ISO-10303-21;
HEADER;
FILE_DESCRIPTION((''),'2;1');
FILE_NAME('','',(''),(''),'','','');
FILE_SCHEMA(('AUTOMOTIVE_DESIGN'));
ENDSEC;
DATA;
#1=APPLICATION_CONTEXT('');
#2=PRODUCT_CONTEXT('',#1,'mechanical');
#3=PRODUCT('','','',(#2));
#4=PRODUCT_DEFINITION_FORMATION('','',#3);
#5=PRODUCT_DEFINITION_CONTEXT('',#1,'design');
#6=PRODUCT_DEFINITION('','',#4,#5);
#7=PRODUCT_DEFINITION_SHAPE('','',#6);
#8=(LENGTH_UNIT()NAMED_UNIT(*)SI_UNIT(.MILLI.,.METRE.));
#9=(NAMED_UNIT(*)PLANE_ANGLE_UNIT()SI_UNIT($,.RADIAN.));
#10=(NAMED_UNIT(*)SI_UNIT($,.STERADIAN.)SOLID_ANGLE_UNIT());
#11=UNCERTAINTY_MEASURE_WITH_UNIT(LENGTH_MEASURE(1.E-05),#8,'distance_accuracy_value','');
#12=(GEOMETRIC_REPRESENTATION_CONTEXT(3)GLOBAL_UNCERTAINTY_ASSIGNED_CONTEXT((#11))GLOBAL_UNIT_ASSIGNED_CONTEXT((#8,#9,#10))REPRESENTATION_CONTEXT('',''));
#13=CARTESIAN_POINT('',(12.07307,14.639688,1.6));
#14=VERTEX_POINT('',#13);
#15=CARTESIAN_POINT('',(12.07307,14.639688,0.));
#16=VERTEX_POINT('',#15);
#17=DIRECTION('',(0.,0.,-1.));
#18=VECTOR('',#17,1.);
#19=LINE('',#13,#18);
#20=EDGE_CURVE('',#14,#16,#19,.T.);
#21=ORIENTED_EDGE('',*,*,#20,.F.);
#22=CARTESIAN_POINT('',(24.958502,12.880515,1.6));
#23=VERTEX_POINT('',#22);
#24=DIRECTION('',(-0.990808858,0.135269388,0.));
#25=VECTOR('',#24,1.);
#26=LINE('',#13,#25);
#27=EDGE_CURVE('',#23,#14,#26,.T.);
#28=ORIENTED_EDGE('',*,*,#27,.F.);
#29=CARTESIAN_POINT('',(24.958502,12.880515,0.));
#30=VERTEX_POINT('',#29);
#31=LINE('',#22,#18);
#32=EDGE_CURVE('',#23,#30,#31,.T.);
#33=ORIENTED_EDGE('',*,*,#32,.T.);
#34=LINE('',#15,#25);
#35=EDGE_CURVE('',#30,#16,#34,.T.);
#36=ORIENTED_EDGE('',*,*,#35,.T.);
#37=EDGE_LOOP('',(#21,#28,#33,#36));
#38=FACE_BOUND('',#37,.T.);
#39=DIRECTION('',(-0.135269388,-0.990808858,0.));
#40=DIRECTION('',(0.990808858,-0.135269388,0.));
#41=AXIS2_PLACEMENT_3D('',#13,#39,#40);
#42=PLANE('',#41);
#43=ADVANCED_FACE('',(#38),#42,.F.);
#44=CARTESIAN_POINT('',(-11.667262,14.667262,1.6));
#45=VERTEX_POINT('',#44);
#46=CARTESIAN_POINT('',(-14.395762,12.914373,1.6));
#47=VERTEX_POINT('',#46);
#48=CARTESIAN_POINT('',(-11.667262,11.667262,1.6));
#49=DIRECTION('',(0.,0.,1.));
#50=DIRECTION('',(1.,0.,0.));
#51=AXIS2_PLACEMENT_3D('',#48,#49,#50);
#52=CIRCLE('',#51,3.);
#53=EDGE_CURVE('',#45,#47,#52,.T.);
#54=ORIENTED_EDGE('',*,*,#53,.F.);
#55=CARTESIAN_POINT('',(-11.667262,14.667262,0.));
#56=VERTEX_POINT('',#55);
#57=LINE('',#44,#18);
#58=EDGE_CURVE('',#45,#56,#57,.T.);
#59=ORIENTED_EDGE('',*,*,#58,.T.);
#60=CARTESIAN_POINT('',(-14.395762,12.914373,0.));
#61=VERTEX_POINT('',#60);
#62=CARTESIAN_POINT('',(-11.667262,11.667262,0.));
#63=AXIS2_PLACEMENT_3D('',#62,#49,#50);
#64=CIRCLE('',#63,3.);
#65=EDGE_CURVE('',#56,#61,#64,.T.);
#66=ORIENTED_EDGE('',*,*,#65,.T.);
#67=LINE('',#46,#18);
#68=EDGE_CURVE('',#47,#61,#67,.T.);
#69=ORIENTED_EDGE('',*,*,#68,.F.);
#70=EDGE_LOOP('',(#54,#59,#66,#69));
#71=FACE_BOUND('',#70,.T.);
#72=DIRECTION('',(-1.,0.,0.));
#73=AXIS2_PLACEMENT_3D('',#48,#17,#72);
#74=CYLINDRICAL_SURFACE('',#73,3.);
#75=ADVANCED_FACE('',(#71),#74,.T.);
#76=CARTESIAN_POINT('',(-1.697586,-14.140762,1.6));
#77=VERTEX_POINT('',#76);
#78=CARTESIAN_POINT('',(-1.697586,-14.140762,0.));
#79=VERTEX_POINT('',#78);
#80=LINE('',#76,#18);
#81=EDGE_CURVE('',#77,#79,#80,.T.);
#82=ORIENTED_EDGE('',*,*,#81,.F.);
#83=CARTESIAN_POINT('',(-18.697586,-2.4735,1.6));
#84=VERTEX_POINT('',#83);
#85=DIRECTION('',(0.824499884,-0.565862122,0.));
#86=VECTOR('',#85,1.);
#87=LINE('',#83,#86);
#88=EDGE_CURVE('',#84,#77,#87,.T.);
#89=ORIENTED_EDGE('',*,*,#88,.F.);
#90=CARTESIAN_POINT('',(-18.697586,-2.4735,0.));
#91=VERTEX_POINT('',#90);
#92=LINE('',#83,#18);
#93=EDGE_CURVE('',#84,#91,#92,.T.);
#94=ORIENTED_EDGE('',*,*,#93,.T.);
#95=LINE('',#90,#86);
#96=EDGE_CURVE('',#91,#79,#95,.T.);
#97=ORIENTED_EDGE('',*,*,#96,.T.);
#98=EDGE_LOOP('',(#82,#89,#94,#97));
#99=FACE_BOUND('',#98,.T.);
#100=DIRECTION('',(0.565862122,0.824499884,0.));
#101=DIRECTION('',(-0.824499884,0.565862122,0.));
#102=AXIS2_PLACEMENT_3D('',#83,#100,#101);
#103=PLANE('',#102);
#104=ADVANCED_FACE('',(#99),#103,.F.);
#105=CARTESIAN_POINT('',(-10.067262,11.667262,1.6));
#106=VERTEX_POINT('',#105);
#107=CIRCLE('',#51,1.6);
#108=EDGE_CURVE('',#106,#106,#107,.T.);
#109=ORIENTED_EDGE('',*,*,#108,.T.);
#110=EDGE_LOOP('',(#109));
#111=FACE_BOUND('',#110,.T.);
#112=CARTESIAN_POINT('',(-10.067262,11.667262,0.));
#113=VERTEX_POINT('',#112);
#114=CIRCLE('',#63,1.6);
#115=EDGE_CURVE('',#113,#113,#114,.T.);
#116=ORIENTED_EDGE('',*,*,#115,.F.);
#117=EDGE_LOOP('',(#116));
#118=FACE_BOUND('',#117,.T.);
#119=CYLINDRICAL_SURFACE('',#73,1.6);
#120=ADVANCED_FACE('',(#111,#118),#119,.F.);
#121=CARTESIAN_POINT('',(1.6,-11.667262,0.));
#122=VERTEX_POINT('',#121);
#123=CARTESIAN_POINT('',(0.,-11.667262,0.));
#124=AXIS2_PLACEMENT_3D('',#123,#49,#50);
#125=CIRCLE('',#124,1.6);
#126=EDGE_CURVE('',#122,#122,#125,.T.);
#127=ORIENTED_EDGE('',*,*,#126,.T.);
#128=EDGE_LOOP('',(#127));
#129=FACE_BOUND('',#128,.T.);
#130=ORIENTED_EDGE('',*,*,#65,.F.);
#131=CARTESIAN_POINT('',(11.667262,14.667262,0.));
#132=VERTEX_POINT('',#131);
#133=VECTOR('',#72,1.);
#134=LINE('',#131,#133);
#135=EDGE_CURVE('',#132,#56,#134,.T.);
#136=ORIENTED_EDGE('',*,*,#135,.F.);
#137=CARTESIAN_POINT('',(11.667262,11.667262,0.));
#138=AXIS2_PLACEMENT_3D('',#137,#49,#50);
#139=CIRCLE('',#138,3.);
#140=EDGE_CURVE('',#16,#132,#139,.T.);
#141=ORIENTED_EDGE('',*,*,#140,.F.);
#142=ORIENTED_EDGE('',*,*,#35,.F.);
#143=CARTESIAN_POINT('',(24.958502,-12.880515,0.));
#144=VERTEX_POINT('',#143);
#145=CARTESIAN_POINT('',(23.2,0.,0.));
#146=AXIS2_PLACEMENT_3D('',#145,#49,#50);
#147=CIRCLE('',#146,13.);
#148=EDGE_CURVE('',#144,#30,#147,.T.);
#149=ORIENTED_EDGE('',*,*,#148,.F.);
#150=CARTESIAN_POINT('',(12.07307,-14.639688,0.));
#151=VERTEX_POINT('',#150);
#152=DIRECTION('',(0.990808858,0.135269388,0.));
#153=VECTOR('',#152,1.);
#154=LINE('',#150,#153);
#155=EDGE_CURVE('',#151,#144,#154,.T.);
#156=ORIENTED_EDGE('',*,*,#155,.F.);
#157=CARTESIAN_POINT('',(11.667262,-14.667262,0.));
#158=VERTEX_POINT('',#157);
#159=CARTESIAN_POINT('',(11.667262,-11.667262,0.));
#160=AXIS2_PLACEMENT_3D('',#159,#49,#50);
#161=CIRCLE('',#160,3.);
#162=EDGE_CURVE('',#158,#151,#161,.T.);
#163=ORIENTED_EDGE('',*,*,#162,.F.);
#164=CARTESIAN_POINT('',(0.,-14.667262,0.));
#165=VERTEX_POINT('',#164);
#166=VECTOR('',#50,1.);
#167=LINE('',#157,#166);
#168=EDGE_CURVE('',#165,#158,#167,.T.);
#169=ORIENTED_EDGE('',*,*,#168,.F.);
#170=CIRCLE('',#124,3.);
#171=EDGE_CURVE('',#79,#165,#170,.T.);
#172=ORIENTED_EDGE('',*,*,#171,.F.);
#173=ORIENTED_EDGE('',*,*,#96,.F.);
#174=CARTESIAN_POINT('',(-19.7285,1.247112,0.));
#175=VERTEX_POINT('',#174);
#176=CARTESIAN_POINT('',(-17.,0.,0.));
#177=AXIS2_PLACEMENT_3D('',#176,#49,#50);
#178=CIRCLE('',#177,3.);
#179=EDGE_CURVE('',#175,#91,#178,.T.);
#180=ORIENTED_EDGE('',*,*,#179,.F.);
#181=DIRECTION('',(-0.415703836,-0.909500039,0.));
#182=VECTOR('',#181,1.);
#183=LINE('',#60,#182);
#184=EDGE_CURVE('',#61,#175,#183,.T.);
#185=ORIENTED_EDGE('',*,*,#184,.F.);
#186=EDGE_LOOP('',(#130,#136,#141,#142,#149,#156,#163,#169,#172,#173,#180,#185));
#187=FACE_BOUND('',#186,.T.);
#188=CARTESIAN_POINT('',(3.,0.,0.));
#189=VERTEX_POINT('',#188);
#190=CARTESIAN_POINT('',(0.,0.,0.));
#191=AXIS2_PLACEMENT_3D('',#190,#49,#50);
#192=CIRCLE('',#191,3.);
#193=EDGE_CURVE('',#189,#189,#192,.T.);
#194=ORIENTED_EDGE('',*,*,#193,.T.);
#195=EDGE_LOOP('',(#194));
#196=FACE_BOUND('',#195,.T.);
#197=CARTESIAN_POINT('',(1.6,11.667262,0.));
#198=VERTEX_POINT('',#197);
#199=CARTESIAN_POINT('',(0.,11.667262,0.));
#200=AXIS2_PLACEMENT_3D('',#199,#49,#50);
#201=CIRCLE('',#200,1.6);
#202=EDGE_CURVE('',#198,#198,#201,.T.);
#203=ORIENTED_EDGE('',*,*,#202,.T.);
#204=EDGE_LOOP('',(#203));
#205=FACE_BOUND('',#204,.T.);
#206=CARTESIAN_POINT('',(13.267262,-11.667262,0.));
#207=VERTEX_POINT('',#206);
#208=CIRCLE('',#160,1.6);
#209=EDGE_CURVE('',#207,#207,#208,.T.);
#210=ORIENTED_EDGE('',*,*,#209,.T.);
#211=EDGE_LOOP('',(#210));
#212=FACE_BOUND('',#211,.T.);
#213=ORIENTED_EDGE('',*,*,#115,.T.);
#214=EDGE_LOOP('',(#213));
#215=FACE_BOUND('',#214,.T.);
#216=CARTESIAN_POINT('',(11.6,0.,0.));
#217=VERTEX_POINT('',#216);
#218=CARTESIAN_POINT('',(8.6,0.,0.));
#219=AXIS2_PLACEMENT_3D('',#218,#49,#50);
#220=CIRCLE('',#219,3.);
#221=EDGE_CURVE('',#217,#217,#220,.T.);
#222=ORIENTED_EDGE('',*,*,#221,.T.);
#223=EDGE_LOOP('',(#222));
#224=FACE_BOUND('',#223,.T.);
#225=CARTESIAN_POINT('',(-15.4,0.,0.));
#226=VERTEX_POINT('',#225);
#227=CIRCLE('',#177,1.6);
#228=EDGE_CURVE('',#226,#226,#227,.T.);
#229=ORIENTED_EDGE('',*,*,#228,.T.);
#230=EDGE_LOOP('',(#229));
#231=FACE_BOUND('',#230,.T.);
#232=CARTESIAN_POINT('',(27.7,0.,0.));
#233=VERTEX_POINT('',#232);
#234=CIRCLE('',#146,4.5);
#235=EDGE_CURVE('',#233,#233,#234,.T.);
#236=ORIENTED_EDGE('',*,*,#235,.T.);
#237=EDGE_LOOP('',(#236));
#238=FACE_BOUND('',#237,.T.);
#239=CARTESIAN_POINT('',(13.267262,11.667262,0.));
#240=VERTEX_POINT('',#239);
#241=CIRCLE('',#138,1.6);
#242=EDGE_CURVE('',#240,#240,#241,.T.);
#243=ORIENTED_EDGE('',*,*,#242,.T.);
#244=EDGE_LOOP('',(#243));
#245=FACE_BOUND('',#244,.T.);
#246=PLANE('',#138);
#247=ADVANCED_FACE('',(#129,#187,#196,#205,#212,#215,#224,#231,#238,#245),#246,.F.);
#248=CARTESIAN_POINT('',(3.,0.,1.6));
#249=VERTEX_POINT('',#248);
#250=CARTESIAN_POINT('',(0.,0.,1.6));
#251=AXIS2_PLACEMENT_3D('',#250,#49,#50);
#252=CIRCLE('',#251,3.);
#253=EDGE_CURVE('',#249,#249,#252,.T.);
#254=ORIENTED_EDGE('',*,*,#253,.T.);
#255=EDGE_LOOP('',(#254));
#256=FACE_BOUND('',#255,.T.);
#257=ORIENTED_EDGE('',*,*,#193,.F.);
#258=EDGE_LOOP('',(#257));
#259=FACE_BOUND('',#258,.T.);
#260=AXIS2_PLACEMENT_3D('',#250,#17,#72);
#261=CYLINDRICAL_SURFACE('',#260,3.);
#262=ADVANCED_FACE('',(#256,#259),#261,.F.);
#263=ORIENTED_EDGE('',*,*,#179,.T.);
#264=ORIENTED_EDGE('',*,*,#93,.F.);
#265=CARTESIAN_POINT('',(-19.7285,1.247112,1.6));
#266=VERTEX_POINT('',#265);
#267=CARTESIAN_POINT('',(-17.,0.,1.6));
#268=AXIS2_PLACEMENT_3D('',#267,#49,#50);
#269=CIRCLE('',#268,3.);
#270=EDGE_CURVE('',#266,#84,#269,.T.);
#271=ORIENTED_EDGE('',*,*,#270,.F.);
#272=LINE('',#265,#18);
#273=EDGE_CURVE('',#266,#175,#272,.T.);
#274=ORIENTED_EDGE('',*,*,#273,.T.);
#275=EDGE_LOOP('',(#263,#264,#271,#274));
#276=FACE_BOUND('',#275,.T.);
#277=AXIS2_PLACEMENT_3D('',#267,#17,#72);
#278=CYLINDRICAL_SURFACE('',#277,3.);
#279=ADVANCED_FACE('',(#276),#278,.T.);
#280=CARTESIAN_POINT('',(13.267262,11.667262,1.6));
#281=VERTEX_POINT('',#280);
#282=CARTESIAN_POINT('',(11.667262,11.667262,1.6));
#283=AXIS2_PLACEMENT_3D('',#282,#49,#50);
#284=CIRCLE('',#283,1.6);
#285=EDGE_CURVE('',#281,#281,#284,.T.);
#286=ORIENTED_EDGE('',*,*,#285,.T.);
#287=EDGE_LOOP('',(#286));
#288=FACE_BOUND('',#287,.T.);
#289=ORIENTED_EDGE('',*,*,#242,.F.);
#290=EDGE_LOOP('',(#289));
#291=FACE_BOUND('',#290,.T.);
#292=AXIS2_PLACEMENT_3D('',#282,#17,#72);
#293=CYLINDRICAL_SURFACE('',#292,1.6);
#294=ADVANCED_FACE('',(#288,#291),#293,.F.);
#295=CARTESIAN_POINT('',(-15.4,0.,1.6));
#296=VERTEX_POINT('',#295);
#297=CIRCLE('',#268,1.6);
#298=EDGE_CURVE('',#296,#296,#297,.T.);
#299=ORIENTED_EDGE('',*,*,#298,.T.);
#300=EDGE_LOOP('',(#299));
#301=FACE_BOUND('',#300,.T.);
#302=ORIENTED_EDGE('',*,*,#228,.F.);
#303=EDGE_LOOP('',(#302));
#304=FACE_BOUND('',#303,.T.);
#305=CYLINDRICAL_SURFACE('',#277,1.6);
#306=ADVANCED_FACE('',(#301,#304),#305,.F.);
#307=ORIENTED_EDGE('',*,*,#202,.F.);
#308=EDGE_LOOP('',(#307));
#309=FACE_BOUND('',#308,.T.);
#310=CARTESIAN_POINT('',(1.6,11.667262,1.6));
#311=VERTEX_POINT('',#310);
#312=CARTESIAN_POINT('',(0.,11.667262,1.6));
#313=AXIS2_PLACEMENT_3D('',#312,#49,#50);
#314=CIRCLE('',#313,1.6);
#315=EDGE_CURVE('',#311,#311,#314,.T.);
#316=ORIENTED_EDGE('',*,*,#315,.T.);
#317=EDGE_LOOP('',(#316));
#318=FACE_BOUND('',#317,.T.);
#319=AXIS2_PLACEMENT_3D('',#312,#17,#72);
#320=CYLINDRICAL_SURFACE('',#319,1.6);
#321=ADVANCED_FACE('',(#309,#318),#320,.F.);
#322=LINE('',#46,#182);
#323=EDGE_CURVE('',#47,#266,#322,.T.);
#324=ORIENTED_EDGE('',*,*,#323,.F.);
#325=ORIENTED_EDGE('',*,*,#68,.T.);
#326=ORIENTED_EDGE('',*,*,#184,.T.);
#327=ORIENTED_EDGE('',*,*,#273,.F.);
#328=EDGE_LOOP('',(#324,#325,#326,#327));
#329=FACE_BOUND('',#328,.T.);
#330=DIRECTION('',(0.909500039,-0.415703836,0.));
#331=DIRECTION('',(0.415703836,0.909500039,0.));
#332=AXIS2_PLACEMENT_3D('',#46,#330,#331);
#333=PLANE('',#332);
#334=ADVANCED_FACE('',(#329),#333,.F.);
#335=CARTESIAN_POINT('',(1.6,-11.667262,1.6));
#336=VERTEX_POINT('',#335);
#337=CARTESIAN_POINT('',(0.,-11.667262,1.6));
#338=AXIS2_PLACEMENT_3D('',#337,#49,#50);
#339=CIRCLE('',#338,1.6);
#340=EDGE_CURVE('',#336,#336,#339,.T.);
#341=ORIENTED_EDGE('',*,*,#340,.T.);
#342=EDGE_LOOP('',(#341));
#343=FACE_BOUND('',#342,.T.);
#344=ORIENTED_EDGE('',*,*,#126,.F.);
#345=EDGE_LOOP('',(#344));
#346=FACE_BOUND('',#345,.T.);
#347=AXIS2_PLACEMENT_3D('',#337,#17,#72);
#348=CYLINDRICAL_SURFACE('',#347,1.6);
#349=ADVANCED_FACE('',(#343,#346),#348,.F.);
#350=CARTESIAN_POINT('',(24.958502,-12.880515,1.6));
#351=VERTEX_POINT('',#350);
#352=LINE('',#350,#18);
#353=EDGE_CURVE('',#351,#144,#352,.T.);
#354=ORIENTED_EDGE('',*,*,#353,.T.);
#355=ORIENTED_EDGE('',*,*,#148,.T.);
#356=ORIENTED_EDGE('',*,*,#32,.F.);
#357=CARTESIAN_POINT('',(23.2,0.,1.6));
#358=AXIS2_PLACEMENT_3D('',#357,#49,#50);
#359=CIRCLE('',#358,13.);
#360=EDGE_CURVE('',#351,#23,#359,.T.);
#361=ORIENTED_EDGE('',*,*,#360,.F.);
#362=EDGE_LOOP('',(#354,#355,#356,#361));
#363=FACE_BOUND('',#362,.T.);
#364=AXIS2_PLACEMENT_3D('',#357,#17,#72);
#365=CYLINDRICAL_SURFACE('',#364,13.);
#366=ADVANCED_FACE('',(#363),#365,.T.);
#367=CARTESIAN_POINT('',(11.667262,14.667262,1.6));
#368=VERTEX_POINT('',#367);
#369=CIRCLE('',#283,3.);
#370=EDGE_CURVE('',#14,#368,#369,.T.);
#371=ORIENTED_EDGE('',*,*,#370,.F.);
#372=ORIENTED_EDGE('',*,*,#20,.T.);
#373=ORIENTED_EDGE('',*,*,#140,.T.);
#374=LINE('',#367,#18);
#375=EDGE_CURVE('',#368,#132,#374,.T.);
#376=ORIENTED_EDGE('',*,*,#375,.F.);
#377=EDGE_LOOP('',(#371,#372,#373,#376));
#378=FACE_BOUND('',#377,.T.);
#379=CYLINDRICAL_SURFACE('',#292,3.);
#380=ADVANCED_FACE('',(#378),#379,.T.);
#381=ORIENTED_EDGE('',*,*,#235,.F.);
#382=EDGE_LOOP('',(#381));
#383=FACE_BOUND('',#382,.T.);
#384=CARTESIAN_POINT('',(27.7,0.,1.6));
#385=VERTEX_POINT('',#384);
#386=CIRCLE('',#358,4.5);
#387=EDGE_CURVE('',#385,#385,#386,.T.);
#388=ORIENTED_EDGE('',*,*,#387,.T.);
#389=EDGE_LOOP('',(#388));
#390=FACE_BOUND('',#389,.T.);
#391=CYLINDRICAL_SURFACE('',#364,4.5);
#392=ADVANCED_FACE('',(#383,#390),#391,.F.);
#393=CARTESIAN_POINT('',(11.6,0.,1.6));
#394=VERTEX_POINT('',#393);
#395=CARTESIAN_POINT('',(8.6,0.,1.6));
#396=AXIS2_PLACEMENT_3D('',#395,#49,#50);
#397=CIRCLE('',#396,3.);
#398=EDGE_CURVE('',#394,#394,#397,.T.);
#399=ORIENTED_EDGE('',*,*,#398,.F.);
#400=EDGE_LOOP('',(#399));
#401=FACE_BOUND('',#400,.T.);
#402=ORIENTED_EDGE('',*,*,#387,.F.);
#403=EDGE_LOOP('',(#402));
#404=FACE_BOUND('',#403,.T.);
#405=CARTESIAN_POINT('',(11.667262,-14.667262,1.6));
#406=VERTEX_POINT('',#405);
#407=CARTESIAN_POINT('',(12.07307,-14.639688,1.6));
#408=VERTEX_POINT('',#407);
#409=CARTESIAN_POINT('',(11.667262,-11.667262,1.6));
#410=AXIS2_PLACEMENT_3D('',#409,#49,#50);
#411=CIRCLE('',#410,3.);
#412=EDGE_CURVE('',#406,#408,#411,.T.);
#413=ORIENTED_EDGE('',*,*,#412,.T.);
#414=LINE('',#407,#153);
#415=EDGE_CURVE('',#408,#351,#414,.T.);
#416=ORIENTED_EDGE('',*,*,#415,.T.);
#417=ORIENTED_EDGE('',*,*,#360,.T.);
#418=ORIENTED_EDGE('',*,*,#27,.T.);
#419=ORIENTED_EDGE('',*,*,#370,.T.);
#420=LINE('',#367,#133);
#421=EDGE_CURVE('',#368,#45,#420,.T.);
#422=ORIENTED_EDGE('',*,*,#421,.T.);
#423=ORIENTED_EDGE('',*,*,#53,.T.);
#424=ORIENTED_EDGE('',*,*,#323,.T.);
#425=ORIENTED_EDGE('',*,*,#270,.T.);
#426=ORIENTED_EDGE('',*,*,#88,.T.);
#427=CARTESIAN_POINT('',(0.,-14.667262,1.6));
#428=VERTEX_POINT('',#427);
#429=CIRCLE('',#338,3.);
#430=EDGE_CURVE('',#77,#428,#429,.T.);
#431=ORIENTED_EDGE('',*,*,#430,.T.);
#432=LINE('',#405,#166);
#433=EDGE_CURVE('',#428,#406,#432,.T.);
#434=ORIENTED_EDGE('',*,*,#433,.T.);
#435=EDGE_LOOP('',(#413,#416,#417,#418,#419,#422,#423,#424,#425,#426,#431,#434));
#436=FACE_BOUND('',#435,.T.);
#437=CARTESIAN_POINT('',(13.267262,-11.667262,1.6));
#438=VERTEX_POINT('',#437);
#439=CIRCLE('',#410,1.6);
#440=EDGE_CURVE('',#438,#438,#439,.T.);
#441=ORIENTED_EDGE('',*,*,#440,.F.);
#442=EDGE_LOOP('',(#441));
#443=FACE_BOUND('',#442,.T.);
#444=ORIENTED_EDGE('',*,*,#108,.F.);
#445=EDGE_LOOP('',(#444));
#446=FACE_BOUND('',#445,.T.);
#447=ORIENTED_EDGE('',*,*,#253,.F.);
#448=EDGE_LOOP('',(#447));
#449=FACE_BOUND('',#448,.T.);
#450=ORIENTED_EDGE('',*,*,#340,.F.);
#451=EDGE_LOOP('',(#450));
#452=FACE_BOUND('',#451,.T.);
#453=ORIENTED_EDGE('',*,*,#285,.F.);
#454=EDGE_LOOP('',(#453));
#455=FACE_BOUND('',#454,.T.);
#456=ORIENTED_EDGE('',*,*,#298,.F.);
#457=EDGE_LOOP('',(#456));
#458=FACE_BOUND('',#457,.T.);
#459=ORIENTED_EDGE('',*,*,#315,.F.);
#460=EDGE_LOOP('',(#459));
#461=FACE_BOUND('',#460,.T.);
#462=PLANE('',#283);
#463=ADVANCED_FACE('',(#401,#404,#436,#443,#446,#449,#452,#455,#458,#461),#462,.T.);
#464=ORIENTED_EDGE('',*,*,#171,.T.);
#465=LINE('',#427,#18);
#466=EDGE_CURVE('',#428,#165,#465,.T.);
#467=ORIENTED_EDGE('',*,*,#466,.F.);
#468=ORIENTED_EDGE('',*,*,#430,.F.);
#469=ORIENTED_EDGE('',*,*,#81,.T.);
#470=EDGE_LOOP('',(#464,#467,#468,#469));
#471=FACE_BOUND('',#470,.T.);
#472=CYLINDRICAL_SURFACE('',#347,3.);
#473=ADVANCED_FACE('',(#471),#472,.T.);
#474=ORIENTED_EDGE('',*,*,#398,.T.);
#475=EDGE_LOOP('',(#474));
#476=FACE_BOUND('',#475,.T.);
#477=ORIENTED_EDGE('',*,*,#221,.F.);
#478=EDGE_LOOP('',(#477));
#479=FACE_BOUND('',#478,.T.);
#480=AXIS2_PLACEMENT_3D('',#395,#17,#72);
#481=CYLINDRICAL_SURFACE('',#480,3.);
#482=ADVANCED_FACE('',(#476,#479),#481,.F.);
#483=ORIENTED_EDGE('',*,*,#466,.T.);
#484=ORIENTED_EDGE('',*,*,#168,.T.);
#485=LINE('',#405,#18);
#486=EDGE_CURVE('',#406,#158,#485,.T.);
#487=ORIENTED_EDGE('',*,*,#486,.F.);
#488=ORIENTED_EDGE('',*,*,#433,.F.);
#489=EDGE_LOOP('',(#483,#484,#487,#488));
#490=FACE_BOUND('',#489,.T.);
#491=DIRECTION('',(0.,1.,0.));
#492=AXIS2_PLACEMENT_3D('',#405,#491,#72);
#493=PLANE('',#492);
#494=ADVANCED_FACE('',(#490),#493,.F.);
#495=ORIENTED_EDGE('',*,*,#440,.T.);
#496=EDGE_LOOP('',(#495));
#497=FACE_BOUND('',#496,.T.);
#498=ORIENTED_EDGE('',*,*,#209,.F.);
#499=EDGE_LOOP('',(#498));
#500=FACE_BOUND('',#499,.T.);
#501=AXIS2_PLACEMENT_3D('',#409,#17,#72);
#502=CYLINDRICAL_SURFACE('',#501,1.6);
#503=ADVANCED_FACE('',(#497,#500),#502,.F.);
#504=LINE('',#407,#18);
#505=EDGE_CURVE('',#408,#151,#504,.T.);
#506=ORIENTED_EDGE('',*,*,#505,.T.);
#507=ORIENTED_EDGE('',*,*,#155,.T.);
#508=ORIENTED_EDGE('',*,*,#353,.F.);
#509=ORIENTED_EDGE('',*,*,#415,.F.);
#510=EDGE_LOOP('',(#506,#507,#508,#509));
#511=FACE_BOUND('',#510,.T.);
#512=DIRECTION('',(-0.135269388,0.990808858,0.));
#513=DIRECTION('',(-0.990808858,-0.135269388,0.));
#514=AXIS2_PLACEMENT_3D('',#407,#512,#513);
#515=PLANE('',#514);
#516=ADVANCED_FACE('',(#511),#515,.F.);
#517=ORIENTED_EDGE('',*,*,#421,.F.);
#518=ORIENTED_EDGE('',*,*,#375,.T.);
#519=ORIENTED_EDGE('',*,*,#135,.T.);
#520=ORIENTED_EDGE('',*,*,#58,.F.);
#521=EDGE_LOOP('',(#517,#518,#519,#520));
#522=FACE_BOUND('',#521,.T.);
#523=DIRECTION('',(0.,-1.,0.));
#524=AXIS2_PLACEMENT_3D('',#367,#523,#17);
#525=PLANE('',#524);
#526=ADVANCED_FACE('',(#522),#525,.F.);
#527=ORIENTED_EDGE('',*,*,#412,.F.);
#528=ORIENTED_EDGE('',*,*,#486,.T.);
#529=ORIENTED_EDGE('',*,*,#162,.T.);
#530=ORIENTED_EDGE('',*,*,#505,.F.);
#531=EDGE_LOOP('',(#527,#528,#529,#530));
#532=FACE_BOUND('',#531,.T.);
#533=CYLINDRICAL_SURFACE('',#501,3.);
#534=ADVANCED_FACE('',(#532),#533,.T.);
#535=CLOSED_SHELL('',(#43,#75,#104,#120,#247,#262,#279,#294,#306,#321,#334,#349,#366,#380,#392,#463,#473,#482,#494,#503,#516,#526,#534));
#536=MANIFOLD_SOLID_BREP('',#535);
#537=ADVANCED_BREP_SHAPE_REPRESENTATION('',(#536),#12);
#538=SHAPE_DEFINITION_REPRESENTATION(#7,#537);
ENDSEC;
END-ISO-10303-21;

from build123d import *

# Parameters (mm, degrees)
SKETCH1_R           = 3
SKETCH1_R_2         = 4.5
SKETCH1_R_3         = 1.6
BOSS_EXTRUDE3_DEPTH = 1.6


with BuildPart() as part:
    # Sketch1 → Boss-Extrude3 (new body)
    with BuildSketch(Plane.XY):
        with BuildLine():
            Line((12.073070054, 14.639688463), (24.958502044, 12.880515151))
            ThreePointArc((24.958502044, 12.880515151), (36.2, 0), (24.958502044, -12.880515151))
            Line((24.958502044, -12.880515151), (12.073070054, -14.639688463))
            ThreePointArc((12.073070054, -14.639688463), (11.870633815, -14.660360595), (11.66726189, -14.66726189))
            Line((11.66726189, -14.66726189), (0, -14.66726189))
            ThreePointArc((0, -14.66726189), (-0.888679088, -14.53261518), (-1.697586366, -14.140761542))
            Line((-1.697586366, -14.140761542), (-18.697586366, -2.473499652))
            ThreePointArc((-18.697586366, -2.473499652), (-19.891071988, -0.801063519), (-19.728500117, 1.247111507))
            Line((-19.728500117, 1.247111507), (-14.395762007, 12.914373397))
            ThreePointArc((-14.395762007, 12.914373397), (-13.288783625, 14.191279968), (-11.66726189, 14.66726189))
            Line((-11.66726189, 14.66726189), (11.66726189, 14.66726189))
            ThreePointArc((11.66726189, 14.66726189), (11.870633815, 14.660360595), (12.073070054, 14.639688463))
        make_face()
        Circle(SKETCH1_R, mode=Mode.SUBTRACT)
        with Locations((23.2, 0)):
            Circle(SKETCH1_R_2, mode=Mode.SUBTRACT)
        with Locations((8.6, 0)):
            Circle(SKETCH1_R, mode=Mode.SUBTRACT)
        with Locations((-17, 0)):
            Circle(SKETCH1_R_3, mode=Mode.SUBTRACT)
        with Locations((0, -11.66726189)):
            Circle(SKETCH1_R_3, mode=Mode.SUBTRACT)
        with Locations((11.66726189, -11.66726189)):
            Circle(SKETCH1_R_3, mode=Mode.SUBTRACT)
        with Locations((-11.66726189, 11.66726189)):
            Circle(SKETCH1_R_3, mode=Mode.SUBTRACT)
        with Locations((0, 11.66726189)):
            Circle(SKETCH1_R_3, mode=Mode.SUBTRACT)
        with Locations((11.66726189, 11.66726189)):
            Circle(SKETCH1_R_3, mode=Mode.SUBTRACT)
    extrude(amount=BOSS_EXTRUDE3_DEPTH)


solid = part.part
